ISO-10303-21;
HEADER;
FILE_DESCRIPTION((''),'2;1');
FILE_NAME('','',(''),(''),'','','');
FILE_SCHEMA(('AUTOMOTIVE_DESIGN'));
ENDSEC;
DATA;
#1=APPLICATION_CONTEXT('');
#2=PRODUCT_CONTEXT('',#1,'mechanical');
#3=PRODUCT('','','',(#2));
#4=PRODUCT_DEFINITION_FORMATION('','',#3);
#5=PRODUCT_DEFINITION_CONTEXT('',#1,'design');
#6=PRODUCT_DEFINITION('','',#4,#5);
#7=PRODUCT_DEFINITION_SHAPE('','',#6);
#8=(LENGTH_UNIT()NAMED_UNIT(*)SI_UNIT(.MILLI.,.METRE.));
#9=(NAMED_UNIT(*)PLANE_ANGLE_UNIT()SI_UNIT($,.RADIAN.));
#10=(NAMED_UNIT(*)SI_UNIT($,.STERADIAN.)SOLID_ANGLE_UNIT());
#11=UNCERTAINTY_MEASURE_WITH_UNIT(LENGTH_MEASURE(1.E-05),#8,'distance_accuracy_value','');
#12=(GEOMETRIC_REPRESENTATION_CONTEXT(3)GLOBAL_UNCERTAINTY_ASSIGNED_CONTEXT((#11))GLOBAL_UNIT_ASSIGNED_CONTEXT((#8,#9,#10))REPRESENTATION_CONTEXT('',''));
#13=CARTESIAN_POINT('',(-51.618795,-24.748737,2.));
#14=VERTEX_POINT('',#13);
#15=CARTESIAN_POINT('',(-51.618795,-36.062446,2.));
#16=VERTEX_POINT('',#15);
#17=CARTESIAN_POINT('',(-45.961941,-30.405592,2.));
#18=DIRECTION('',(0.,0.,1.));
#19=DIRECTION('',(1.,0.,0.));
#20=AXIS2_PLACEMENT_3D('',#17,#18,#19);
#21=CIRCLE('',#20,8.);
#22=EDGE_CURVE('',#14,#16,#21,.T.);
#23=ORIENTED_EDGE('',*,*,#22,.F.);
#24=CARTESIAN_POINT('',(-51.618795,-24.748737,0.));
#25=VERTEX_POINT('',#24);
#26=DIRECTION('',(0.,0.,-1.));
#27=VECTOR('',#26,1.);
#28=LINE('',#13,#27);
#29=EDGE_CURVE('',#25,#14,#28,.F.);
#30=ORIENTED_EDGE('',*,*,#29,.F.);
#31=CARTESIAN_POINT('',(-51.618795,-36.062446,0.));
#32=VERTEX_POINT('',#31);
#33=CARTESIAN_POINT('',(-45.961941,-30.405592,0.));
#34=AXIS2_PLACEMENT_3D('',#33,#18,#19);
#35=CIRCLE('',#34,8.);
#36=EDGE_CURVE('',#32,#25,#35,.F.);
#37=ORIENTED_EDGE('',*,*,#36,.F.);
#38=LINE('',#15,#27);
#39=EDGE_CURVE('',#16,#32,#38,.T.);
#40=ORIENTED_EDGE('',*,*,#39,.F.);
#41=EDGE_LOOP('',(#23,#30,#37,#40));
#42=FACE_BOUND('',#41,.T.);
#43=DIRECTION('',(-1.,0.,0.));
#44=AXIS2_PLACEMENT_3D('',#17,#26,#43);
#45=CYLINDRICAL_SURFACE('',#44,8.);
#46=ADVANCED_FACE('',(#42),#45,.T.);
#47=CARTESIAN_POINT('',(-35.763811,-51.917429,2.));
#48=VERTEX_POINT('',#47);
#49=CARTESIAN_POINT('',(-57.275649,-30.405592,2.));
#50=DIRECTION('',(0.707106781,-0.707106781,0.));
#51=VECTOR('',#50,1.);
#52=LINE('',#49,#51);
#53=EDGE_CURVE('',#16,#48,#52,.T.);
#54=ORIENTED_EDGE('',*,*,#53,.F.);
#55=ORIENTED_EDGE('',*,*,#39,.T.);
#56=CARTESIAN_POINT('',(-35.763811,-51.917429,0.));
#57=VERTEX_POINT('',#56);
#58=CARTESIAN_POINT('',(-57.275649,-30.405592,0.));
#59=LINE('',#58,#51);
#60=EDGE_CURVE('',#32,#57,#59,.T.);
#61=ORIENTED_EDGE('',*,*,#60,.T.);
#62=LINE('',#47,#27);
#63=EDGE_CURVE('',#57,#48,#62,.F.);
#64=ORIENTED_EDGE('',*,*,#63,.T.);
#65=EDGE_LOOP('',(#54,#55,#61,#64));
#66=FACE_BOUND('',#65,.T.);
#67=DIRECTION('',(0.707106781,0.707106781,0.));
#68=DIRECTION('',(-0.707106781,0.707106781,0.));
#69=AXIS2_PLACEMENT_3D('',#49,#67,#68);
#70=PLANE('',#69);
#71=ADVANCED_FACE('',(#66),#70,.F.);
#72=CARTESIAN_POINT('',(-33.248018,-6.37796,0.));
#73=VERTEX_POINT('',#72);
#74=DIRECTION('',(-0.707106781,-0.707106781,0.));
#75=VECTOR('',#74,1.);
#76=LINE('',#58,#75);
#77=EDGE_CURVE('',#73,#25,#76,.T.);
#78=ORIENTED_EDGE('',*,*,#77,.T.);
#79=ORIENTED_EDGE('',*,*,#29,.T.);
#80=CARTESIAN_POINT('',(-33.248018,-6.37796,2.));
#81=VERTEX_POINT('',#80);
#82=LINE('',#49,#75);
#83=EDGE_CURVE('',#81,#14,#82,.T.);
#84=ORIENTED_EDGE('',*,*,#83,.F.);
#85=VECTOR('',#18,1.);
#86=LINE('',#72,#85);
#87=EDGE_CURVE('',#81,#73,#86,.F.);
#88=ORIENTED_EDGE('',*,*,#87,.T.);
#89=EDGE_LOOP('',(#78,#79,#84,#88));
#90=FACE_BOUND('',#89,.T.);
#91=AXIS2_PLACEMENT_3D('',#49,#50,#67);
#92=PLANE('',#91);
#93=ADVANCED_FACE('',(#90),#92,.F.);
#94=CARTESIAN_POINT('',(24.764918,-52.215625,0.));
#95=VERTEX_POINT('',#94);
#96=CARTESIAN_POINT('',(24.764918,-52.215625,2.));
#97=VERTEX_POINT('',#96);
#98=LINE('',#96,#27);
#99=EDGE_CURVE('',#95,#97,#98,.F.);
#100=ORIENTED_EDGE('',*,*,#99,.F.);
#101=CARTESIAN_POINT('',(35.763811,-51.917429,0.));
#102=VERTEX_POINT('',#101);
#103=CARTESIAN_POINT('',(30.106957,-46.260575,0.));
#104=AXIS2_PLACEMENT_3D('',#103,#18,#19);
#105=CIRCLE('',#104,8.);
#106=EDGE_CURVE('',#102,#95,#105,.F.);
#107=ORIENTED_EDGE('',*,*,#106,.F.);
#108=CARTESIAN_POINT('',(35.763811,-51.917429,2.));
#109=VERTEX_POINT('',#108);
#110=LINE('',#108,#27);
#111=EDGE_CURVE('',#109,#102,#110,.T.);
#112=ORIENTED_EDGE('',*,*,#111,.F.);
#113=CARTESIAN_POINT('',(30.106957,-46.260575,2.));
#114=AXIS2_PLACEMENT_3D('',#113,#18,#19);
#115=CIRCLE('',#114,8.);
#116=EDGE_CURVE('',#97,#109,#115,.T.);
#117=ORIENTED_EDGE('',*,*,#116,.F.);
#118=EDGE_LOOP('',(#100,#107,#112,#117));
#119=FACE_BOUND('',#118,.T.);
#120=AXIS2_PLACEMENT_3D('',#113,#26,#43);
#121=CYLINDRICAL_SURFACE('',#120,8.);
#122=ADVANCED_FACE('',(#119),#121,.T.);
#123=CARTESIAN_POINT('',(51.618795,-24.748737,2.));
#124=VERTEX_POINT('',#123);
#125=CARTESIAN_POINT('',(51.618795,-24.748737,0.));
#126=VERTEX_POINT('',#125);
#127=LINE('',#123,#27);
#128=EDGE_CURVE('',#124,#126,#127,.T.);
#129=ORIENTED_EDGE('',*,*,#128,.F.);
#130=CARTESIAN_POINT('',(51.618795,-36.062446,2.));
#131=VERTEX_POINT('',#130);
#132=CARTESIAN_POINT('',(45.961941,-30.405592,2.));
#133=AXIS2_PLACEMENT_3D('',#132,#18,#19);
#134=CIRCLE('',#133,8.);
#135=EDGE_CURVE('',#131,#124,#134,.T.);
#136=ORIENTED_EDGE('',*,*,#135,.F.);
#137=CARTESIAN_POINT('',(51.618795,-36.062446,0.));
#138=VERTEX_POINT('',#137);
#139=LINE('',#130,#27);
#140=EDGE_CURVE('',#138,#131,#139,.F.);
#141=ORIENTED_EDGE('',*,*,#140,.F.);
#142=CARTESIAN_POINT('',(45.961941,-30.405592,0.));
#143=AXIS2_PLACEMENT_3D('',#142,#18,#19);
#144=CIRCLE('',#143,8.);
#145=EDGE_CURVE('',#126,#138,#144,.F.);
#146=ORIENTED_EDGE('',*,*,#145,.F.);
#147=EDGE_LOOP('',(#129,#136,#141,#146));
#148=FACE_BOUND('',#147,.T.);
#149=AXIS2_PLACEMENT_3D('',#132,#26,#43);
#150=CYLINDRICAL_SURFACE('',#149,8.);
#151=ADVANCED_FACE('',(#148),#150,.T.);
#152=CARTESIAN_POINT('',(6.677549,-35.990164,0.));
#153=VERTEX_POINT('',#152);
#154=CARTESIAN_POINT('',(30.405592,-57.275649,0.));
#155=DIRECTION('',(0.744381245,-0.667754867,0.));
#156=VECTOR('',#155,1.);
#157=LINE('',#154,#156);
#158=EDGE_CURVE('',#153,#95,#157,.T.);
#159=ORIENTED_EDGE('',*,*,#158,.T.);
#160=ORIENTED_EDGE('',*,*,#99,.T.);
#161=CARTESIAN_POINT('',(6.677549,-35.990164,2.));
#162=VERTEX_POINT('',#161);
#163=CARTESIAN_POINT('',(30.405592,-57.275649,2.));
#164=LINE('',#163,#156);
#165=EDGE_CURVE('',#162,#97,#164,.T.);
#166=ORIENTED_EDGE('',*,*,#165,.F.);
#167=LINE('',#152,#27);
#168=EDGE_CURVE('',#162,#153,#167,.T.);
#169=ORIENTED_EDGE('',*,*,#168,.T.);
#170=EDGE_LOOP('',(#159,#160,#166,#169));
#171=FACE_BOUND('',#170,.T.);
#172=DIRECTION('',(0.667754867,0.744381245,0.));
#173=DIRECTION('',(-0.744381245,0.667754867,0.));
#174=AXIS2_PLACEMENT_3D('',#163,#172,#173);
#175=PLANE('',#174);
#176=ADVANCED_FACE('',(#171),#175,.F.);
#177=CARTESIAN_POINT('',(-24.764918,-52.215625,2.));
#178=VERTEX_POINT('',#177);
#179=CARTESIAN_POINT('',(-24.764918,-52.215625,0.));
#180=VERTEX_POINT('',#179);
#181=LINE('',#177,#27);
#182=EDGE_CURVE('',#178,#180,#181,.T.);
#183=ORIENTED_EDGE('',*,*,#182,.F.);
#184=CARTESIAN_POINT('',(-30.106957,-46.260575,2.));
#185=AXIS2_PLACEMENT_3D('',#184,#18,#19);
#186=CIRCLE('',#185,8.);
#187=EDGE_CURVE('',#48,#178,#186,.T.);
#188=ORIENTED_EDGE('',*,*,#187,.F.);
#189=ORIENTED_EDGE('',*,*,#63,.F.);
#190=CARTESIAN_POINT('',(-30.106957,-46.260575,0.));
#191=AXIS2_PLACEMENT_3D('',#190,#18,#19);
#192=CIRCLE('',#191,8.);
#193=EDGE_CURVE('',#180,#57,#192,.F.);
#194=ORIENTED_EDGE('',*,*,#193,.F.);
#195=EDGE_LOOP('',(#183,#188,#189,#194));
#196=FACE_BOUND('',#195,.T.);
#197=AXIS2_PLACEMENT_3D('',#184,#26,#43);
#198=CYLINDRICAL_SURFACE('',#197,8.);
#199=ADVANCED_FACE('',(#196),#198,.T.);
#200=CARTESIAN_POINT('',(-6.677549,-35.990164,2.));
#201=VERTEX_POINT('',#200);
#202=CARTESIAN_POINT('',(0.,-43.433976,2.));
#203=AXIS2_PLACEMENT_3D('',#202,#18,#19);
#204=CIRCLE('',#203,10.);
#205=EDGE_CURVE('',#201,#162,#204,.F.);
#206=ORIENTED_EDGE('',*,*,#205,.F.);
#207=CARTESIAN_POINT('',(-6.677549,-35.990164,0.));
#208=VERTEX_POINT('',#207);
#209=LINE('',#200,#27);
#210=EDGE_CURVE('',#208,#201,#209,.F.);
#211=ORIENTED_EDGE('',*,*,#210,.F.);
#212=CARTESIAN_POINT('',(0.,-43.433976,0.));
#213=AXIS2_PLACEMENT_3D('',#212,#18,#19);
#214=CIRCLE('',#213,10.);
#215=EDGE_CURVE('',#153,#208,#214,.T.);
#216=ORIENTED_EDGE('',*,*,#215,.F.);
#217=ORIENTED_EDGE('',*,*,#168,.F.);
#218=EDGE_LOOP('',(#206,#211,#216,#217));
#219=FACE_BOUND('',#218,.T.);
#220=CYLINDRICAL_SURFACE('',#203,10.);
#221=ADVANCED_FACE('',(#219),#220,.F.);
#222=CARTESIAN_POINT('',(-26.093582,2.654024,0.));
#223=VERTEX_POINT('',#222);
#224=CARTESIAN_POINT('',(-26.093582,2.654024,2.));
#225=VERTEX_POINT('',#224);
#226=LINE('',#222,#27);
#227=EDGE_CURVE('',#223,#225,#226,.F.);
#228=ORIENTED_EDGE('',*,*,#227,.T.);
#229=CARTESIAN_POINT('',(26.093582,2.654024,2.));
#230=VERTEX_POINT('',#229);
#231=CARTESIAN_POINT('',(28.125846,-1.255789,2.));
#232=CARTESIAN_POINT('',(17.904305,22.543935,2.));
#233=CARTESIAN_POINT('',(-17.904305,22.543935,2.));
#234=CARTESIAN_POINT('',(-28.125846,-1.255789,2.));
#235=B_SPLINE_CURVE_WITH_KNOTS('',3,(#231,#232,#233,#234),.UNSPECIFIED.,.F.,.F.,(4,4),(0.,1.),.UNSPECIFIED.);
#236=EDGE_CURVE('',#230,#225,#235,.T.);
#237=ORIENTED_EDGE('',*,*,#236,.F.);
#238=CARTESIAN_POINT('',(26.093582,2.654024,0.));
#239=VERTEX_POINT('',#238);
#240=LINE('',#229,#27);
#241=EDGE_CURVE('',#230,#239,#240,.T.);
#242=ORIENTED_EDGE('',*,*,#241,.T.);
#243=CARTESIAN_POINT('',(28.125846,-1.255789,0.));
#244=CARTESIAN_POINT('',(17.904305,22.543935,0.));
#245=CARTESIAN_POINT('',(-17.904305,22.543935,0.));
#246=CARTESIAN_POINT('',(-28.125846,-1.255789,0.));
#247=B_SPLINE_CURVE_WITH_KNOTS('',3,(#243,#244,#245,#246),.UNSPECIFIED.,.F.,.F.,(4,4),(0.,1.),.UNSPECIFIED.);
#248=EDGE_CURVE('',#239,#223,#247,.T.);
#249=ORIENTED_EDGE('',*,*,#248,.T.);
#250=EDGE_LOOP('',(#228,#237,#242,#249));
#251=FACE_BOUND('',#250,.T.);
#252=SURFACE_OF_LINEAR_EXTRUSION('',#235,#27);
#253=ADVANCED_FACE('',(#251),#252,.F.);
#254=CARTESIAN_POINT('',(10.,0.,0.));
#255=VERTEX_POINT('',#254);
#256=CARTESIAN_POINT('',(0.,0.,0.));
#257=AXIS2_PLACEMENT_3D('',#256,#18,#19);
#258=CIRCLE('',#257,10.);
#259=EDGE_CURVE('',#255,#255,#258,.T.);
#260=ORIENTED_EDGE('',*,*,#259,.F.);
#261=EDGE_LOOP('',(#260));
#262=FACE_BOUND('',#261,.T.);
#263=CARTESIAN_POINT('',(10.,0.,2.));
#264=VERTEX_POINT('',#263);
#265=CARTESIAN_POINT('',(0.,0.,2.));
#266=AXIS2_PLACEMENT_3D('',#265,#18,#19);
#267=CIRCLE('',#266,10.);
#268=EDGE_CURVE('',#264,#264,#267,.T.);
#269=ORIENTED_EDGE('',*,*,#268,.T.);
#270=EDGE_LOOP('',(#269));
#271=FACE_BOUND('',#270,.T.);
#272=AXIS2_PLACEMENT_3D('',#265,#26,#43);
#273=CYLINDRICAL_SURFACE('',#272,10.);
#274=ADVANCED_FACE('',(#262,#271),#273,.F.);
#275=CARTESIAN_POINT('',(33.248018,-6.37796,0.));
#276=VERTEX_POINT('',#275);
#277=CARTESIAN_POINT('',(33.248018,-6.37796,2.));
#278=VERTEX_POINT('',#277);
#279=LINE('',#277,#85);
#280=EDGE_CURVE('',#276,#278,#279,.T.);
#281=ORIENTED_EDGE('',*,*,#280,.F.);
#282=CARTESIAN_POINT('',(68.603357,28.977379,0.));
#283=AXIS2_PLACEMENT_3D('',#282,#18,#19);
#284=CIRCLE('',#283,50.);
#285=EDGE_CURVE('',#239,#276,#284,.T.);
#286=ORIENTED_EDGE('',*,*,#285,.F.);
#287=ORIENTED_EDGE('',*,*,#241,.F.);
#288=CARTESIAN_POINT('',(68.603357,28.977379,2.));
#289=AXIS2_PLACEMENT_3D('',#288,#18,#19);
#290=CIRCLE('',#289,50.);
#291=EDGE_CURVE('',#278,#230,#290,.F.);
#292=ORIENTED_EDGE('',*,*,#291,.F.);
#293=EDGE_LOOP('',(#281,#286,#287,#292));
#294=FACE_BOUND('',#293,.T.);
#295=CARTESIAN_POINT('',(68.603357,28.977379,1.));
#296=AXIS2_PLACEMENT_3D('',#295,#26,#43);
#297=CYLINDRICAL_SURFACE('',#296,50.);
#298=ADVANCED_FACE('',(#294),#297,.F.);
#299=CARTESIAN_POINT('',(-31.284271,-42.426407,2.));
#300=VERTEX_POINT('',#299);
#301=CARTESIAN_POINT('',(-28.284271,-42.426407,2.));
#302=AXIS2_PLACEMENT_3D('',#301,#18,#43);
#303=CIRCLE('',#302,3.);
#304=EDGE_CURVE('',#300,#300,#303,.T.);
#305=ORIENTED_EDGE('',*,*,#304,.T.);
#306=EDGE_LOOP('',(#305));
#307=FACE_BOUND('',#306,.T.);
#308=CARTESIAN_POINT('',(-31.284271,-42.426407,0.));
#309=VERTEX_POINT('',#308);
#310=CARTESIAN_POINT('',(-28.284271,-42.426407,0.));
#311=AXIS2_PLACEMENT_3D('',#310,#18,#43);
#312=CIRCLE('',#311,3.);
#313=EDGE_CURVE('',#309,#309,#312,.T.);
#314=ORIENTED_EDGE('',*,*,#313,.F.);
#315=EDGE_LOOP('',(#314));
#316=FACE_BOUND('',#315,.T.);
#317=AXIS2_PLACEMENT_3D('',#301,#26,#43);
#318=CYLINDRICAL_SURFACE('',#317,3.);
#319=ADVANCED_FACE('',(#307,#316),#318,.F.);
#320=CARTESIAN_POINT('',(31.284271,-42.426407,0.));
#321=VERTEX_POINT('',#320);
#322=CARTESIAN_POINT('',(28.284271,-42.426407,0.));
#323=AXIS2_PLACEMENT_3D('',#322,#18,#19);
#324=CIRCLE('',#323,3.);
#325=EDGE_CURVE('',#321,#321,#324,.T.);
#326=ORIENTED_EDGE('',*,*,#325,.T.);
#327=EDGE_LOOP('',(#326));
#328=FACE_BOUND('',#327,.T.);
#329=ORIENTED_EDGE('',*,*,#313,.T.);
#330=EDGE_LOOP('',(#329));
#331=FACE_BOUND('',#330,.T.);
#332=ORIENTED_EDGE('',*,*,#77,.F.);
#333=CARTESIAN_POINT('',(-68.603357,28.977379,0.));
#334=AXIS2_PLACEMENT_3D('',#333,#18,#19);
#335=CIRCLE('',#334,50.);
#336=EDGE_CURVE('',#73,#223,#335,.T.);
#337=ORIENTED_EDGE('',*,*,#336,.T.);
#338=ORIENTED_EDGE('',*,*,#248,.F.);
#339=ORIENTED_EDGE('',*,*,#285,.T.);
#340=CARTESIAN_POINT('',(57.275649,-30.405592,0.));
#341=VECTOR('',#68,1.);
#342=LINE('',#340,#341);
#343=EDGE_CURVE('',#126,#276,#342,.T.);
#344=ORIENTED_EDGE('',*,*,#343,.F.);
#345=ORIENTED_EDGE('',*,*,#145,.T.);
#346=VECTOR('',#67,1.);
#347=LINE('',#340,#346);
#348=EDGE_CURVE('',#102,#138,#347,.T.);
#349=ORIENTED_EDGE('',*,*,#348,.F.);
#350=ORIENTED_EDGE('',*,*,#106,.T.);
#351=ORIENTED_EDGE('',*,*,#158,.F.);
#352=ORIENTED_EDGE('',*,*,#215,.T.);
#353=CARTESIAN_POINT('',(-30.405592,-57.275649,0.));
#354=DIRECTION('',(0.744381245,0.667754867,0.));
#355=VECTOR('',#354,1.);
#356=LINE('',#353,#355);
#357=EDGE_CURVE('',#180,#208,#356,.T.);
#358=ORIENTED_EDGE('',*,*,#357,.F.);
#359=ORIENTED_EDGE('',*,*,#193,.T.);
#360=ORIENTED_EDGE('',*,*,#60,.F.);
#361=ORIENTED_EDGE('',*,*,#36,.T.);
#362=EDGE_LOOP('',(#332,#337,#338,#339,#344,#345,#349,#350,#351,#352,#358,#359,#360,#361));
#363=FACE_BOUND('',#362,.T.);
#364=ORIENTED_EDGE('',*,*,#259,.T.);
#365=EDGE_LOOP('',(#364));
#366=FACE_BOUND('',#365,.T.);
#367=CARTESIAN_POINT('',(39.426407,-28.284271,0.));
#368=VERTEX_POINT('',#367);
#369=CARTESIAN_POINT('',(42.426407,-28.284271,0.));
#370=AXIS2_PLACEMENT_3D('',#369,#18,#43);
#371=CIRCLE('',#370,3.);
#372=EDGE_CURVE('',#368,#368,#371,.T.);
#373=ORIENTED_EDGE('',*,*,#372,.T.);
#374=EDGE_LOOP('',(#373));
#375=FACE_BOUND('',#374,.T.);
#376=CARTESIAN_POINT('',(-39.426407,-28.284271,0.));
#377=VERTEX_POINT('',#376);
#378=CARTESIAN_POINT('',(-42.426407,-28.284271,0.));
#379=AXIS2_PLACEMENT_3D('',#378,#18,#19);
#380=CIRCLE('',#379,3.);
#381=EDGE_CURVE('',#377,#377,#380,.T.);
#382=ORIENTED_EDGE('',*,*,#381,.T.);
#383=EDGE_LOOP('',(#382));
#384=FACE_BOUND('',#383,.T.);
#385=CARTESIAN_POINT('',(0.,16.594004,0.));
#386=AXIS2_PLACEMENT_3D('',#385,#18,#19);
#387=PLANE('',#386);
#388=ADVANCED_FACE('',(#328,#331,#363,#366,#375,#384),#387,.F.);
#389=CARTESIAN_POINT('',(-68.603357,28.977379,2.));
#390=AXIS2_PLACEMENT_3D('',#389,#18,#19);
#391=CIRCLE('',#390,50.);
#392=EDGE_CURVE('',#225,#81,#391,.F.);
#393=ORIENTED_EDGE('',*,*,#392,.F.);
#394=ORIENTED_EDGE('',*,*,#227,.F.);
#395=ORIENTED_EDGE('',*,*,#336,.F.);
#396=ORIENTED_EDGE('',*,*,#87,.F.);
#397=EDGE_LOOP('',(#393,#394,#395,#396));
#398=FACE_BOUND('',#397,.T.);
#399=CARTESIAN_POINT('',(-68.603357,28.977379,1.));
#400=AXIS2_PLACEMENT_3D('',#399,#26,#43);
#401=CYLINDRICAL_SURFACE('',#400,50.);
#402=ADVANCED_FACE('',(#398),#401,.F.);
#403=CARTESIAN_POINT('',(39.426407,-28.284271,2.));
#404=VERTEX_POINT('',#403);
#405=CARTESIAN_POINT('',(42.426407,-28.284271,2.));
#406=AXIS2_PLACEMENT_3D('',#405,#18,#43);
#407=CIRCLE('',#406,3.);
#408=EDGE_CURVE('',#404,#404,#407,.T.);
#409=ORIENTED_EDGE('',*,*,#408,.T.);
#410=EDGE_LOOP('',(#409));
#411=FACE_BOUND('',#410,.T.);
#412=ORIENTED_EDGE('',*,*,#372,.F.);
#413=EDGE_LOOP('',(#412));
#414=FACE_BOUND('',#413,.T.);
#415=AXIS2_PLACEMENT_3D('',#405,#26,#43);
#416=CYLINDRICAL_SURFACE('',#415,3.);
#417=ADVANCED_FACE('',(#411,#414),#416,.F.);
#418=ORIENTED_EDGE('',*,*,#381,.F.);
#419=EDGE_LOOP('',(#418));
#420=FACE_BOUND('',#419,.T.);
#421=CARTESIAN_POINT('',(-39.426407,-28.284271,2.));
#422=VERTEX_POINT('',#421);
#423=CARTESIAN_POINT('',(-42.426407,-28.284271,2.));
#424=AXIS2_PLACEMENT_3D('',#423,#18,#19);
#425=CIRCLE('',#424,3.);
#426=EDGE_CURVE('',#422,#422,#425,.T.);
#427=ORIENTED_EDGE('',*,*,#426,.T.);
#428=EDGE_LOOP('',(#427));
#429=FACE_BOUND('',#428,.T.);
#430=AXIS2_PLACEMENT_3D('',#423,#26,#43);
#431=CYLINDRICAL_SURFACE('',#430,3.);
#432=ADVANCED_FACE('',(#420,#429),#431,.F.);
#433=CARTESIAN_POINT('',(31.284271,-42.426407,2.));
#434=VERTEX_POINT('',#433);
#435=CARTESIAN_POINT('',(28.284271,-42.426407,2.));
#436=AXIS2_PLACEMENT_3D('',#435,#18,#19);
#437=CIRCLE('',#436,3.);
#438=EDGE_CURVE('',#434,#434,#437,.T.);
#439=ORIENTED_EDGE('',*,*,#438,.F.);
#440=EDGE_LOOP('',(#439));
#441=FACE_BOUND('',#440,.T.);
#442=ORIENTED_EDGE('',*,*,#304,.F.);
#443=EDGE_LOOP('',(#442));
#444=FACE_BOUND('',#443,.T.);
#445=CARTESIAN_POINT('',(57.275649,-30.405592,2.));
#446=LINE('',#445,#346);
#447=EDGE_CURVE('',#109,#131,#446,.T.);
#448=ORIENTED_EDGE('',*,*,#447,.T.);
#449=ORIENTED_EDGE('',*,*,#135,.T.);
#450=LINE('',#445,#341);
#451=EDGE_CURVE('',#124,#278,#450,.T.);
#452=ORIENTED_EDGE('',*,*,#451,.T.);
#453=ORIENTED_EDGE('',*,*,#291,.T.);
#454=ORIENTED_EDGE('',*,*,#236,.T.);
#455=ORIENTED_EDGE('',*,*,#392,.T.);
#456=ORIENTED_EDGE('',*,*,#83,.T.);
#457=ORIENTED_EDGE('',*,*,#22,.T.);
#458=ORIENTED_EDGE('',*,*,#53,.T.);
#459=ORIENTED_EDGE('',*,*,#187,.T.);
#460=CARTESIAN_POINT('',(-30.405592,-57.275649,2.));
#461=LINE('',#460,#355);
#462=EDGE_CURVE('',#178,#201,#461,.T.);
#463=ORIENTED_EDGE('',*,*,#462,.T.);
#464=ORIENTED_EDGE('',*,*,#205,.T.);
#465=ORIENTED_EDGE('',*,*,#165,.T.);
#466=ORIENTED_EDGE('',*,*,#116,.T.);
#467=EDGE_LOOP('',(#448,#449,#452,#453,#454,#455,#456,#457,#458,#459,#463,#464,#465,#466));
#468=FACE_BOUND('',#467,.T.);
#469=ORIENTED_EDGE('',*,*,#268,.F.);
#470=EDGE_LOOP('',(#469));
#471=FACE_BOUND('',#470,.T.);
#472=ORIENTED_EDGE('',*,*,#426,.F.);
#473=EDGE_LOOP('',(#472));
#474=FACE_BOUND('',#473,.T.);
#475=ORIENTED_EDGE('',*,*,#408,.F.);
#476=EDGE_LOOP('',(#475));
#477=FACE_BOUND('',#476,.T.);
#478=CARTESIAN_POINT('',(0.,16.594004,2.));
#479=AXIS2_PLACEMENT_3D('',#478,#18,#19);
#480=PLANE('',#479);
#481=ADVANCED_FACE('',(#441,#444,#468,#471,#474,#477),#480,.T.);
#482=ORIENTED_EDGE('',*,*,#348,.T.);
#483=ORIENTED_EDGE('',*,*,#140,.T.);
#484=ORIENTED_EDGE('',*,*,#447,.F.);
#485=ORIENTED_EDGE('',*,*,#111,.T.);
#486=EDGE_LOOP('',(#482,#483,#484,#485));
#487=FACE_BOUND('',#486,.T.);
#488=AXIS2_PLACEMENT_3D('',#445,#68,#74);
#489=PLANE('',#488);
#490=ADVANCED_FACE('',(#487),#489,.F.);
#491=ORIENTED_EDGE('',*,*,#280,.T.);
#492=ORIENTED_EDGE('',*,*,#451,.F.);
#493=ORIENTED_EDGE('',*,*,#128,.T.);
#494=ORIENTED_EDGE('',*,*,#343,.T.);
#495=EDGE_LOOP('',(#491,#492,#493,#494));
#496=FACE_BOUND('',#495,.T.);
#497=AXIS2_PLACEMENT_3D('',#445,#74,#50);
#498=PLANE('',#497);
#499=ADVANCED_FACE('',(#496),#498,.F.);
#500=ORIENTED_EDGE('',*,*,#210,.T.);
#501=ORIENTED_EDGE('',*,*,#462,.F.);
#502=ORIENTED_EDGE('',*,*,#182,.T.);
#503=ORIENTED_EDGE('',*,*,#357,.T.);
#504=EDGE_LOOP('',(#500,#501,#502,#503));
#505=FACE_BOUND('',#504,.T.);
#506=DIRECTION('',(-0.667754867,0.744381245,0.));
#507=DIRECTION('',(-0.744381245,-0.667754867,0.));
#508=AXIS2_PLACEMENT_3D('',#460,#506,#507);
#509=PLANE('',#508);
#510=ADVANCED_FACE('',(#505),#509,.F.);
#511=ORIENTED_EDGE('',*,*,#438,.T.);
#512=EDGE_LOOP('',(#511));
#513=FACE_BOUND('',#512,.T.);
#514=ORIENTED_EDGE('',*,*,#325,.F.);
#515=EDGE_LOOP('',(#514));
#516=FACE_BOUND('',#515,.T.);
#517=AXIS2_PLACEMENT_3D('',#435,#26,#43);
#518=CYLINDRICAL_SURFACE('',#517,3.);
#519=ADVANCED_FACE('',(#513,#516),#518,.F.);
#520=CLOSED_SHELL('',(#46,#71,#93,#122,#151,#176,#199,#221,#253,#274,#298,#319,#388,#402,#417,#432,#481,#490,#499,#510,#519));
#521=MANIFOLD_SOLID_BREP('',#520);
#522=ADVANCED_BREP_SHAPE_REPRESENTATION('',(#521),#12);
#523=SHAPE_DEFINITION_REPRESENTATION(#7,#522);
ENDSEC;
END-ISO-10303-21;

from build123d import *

# Parameters (mm, degrees)
SKETCH1_R           = 10
SKETCH1_R_2         = 3
BOSS_EXTRUDE1_DEPTH = 2
FILLET1_R           = 10
FILLET2_R           = 8
FILLET3_R           = 50


with BuildPart() as part:
    # Sketch1 → Boss-Extrude1 (new body)
    with BuildSketch(Plane.XY):
        with BuildLine():
            Line((-57.275649276, -30.405591591), (-28.125846456, -1.255788771))
            add(Edge.make_bspline(
                [(-28.125846456, -1.255788771), (-17.904305408, 22.543934761), (17.904305408, 22.543934761), (28.125846456, -1.255788771)],
                knots=[0, 0, 0, 0, 1, 1, 1, 1], degree=3))
            Line((28.125846456, -1.255788771), (57.275649276, -30.405591591))
            Line((57.275649276, -30.405591591), (30.405591591, -57.275649276))
            Line((30.405591591, -57.275649276), (0, -30))
            Line((0, -30), (-30.405591591, -57.275649276))
            Line((-30.405591591, -57.275649276), (-57.275649276, -30.405591591))
        make_face()
        Circle(SKETCH1_R, mode=Mode.SUBTRACT)
        with Locations((-42.426406871, -28.284271247)):
            Circle(SKETCH1_R_2, mode=Mode.SUBTRACT)
        with Locations((-28.284271247, -42.426406871)):
            Circle(SKETCH1_R_2, mode=Mode.SUBTRACT)
        with Locations((28.284271247, -42.426406871)):
            Circle(SKETCH1_R_2, mode=Mode.SUBTRACT)
        with Locations((42.426406871, -28.284271247)):
            Circle(SKETCH1_R_2, mode=Mode.SUBTRACT)
    extrude(amount=BOSS_EXTRUDE1_DEPTH)

    # Fillet1
    fillet1_edges = [part.edges().sort_by_distance(p)[0] for p in [
        (0, -30, 1),
    ]]
    fillet(fillet1_edges, radius=FILLET1_R)

    # Fillet2
    fillet2_edges = [part.edges().sort_by_distance(p)[0] for p in [
        (-57.275649276, -30.405591591, 1),
        (57.275649276, -30.405591591, 1),
        (30.405591591, -57.275649276, 1),
        (-30.405591591, -57.275649276, 1),
    ]]
    fillet(fillet2_edges, radius=FILLET2_R)

    # Fillet3
    fillet3_edges = [part.edges().sort_by_distance(p)[0] for p in [
        (-28.125846456, -1.255788771, 1),
        (28.125846456, -1.255788771, 1),
    ]]
    fillet(fillet3_edges, radius=FILLET3_R)


solid = part.part
